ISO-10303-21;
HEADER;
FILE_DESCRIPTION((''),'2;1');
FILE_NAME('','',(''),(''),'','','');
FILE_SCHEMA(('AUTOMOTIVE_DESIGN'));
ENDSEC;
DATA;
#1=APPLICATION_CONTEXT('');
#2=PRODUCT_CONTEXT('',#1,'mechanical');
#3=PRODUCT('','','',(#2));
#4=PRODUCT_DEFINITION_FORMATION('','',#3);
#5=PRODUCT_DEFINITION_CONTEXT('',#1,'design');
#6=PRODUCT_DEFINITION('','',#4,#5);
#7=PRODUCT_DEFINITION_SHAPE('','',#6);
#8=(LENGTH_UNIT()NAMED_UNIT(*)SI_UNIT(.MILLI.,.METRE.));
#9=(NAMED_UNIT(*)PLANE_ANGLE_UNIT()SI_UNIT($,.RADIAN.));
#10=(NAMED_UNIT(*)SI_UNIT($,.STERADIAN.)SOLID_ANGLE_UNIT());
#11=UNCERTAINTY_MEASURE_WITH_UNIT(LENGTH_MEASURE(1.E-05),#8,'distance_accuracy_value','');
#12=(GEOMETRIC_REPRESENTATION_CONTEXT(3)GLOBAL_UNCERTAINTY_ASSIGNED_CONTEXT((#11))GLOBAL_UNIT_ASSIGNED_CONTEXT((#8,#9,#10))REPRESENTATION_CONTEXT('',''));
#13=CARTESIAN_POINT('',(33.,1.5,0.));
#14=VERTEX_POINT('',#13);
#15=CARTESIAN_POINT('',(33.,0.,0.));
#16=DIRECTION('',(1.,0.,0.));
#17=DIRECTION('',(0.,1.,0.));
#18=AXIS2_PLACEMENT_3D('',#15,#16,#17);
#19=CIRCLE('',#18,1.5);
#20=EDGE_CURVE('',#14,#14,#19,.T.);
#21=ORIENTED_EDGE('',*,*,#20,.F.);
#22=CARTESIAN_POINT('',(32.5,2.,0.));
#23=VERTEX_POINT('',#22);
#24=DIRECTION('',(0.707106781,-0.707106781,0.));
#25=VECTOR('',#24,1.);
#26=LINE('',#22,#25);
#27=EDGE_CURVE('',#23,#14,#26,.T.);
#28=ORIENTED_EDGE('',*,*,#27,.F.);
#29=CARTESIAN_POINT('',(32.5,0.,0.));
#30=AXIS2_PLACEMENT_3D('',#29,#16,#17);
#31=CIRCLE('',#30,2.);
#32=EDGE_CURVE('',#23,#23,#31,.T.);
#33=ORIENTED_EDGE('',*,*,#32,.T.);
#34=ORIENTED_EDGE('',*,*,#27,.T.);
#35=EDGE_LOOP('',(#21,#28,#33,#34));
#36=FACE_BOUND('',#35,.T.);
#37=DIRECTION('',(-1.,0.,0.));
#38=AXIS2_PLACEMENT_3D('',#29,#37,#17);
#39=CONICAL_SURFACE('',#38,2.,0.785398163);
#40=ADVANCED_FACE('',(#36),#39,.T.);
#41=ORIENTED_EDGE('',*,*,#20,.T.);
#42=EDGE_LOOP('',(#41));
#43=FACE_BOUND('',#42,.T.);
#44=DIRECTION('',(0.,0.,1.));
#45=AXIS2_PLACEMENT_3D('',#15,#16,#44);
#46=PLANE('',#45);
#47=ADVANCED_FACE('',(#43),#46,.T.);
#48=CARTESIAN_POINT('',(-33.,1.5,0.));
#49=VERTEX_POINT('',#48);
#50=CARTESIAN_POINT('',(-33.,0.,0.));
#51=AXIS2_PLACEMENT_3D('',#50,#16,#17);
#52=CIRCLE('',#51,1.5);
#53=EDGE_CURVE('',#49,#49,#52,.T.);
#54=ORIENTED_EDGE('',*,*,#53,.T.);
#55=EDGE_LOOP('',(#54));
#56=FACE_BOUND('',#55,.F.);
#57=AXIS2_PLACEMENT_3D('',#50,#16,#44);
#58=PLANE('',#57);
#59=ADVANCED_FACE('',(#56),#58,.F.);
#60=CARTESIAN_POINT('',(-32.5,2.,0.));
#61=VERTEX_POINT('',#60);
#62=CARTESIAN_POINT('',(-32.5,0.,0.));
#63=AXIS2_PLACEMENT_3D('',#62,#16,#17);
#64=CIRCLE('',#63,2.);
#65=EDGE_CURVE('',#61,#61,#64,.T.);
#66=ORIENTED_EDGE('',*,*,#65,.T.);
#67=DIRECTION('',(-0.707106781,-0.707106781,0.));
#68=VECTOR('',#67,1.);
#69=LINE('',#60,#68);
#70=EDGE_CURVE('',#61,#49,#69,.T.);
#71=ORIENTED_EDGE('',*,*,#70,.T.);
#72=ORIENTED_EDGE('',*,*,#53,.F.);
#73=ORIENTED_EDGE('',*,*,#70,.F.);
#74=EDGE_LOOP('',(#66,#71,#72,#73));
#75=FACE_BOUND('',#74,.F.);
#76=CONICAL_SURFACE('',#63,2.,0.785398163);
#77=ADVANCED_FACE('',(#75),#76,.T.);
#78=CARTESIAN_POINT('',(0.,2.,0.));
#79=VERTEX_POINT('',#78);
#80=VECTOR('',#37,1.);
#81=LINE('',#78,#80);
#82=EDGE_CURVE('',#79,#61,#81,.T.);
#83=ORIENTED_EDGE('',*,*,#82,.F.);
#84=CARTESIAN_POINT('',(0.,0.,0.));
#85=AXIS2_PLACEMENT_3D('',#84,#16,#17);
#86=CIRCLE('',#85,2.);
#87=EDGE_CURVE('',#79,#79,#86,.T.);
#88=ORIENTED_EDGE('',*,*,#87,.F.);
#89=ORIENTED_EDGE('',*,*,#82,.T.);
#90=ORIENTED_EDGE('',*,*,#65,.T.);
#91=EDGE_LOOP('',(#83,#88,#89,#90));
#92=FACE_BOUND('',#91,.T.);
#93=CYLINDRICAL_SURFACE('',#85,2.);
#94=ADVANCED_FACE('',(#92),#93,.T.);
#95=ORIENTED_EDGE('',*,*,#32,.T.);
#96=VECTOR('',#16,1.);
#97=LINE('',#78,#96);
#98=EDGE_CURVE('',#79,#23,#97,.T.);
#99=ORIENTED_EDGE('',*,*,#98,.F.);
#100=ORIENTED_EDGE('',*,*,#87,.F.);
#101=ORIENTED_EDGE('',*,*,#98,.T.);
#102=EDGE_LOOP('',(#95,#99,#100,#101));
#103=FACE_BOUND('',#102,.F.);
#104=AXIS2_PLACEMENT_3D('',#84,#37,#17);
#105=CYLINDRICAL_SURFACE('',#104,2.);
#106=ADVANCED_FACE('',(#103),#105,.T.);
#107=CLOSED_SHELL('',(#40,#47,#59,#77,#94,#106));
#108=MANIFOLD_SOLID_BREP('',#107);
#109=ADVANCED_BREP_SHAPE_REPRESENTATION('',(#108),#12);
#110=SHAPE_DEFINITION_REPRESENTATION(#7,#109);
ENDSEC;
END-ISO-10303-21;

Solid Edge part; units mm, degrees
sketch "Sketch1" plane through (0, 0, 0) normal (1, 0, 0) x (0, 1, 0)
  circle A0 centre (0, 0) radius 2
  dimension "D1" = 4
extrude "Protrusion1" add sketch "Sketch1" along normal mid plane 66
chamfer "Fase_1" distance 0.5 angle 45 2 edges at (-33, -2, 0) (33, -2, 0)
properties material "Aluminiumlegierung:3.0205, Al 99.0, EN-AW 1200"
